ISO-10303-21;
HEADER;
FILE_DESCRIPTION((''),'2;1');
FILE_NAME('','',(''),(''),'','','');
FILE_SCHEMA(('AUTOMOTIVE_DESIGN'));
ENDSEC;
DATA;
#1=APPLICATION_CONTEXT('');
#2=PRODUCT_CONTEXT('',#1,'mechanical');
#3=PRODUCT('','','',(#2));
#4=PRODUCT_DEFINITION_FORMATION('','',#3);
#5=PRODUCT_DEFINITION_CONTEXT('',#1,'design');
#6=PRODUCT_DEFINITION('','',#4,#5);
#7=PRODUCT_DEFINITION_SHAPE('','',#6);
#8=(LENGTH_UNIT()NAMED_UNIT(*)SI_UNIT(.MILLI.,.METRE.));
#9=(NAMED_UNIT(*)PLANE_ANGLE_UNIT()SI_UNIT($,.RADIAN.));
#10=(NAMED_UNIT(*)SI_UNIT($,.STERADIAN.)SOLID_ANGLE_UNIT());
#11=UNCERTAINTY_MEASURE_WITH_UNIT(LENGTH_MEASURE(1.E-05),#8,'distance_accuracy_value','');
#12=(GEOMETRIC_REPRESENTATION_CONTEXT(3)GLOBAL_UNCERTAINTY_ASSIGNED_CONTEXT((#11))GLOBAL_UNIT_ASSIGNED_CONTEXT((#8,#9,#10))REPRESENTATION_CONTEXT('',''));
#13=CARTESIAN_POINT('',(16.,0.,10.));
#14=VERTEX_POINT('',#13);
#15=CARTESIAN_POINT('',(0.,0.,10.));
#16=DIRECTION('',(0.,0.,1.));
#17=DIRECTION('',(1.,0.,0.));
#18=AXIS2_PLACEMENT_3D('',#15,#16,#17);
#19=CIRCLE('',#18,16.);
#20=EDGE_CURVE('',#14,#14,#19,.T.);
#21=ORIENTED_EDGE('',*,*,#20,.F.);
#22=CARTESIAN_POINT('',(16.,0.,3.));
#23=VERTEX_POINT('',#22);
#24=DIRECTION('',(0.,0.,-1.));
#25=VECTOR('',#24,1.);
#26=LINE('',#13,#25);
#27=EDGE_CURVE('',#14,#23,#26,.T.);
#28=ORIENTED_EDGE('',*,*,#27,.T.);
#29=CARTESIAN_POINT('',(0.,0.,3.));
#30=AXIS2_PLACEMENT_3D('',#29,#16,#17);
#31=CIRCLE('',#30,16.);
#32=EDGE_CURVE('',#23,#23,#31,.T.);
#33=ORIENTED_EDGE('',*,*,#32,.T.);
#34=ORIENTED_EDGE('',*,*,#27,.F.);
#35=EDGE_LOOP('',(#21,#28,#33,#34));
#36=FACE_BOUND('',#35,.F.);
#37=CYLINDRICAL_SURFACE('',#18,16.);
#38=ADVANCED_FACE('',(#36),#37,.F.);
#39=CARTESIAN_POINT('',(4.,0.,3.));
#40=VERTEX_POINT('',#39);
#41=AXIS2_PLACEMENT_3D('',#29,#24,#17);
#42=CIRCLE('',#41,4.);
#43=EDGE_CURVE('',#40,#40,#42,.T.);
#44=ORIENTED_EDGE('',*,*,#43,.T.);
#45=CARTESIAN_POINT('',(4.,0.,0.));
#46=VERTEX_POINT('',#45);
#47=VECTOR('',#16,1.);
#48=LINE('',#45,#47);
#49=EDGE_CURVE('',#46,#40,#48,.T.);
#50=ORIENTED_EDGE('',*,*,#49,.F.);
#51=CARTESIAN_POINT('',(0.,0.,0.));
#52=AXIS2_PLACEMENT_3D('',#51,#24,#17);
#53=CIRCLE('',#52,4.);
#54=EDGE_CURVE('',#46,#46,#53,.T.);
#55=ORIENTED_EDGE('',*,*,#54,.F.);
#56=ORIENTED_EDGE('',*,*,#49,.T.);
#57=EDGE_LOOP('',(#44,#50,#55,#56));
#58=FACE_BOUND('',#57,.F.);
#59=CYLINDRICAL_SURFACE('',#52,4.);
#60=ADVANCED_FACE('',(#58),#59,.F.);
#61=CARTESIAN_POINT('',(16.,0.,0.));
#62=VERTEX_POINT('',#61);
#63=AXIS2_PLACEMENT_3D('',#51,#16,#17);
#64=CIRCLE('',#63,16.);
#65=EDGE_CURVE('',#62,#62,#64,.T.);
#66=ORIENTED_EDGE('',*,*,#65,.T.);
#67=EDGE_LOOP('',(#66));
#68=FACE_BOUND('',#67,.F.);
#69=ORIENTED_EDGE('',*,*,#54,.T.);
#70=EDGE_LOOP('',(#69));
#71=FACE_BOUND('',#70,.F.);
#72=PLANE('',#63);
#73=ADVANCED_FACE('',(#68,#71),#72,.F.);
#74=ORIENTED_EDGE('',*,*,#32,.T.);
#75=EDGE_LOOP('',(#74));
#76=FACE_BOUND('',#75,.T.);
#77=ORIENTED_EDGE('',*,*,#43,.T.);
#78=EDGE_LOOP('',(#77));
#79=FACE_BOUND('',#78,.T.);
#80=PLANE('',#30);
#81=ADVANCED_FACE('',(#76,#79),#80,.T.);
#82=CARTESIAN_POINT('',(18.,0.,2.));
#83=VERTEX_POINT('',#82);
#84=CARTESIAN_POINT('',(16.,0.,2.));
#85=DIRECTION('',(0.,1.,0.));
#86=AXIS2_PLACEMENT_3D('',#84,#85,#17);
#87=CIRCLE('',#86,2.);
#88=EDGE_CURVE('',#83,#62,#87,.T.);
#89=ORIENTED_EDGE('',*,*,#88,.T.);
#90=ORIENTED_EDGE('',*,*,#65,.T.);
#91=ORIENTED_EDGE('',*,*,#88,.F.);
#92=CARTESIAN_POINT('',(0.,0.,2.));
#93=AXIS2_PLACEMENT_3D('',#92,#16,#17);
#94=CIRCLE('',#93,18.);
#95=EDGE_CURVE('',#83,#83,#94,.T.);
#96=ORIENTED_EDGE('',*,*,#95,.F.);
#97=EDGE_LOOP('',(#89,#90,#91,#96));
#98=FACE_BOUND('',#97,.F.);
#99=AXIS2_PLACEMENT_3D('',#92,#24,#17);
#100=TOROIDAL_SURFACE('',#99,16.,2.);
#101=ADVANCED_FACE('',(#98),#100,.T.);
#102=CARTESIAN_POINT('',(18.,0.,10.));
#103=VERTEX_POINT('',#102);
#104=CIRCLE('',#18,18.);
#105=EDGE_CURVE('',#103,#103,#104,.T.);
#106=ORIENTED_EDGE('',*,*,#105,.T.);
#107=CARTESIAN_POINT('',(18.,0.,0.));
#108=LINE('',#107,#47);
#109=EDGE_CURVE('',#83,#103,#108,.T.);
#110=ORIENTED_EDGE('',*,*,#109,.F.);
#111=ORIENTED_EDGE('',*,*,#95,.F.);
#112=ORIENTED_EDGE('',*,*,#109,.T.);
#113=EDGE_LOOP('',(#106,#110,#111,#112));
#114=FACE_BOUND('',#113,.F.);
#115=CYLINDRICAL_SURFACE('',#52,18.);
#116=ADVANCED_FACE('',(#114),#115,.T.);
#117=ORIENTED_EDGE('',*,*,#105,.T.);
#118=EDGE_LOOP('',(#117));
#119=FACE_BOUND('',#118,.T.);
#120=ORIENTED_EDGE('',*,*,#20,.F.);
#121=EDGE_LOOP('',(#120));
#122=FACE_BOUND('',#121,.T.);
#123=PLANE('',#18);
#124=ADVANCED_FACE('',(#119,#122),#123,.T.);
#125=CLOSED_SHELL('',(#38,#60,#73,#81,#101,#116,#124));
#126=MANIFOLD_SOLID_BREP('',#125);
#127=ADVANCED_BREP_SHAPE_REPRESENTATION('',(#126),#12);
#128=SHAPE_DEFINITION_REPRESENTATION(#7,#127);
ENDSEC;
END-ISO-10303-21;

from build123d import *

# Parameters (mm, degrees)
F0_R     = 18
F1_DEPTH = 10
F2_R     = 16
F3_DEPTH = 7
F4_R     = 4
F5_DEPTH = 25
F6_R     = 2


with BuildPart() as f1:
    # F0 (on Top) → F1 (new body)
    with BuildSketch(Plane.XY):
        Circle(F0_R)
    extrude(amount=F1_DEPTH)

    # F2 (on face) → F3 (cut)
    with BuildSketch(Plane.XY.offset(10)):
        Circle(F2_R)
    extrude(amount=-F3_DEPTH, mode=Mode.SUBTRACT)

    # F4 (on face) → F5 (cut)
    with BuildSketch(Plane(origin=(0, 0, 0), x_dir=(1, 0, 0), z_dir=(0, 0, -1))):
        Circle(F4_R)
    extrude(amount=-F5_DEPTH, mode=Mode.SUBTRACT)

    # F6
    f6_edges = [f1.edges().sort_by_distance(p)[0] for p in [
        (-18, 0, 0),
    ]]
    fillet(f6_edges, radius=F6_R)


solid = f1.part
